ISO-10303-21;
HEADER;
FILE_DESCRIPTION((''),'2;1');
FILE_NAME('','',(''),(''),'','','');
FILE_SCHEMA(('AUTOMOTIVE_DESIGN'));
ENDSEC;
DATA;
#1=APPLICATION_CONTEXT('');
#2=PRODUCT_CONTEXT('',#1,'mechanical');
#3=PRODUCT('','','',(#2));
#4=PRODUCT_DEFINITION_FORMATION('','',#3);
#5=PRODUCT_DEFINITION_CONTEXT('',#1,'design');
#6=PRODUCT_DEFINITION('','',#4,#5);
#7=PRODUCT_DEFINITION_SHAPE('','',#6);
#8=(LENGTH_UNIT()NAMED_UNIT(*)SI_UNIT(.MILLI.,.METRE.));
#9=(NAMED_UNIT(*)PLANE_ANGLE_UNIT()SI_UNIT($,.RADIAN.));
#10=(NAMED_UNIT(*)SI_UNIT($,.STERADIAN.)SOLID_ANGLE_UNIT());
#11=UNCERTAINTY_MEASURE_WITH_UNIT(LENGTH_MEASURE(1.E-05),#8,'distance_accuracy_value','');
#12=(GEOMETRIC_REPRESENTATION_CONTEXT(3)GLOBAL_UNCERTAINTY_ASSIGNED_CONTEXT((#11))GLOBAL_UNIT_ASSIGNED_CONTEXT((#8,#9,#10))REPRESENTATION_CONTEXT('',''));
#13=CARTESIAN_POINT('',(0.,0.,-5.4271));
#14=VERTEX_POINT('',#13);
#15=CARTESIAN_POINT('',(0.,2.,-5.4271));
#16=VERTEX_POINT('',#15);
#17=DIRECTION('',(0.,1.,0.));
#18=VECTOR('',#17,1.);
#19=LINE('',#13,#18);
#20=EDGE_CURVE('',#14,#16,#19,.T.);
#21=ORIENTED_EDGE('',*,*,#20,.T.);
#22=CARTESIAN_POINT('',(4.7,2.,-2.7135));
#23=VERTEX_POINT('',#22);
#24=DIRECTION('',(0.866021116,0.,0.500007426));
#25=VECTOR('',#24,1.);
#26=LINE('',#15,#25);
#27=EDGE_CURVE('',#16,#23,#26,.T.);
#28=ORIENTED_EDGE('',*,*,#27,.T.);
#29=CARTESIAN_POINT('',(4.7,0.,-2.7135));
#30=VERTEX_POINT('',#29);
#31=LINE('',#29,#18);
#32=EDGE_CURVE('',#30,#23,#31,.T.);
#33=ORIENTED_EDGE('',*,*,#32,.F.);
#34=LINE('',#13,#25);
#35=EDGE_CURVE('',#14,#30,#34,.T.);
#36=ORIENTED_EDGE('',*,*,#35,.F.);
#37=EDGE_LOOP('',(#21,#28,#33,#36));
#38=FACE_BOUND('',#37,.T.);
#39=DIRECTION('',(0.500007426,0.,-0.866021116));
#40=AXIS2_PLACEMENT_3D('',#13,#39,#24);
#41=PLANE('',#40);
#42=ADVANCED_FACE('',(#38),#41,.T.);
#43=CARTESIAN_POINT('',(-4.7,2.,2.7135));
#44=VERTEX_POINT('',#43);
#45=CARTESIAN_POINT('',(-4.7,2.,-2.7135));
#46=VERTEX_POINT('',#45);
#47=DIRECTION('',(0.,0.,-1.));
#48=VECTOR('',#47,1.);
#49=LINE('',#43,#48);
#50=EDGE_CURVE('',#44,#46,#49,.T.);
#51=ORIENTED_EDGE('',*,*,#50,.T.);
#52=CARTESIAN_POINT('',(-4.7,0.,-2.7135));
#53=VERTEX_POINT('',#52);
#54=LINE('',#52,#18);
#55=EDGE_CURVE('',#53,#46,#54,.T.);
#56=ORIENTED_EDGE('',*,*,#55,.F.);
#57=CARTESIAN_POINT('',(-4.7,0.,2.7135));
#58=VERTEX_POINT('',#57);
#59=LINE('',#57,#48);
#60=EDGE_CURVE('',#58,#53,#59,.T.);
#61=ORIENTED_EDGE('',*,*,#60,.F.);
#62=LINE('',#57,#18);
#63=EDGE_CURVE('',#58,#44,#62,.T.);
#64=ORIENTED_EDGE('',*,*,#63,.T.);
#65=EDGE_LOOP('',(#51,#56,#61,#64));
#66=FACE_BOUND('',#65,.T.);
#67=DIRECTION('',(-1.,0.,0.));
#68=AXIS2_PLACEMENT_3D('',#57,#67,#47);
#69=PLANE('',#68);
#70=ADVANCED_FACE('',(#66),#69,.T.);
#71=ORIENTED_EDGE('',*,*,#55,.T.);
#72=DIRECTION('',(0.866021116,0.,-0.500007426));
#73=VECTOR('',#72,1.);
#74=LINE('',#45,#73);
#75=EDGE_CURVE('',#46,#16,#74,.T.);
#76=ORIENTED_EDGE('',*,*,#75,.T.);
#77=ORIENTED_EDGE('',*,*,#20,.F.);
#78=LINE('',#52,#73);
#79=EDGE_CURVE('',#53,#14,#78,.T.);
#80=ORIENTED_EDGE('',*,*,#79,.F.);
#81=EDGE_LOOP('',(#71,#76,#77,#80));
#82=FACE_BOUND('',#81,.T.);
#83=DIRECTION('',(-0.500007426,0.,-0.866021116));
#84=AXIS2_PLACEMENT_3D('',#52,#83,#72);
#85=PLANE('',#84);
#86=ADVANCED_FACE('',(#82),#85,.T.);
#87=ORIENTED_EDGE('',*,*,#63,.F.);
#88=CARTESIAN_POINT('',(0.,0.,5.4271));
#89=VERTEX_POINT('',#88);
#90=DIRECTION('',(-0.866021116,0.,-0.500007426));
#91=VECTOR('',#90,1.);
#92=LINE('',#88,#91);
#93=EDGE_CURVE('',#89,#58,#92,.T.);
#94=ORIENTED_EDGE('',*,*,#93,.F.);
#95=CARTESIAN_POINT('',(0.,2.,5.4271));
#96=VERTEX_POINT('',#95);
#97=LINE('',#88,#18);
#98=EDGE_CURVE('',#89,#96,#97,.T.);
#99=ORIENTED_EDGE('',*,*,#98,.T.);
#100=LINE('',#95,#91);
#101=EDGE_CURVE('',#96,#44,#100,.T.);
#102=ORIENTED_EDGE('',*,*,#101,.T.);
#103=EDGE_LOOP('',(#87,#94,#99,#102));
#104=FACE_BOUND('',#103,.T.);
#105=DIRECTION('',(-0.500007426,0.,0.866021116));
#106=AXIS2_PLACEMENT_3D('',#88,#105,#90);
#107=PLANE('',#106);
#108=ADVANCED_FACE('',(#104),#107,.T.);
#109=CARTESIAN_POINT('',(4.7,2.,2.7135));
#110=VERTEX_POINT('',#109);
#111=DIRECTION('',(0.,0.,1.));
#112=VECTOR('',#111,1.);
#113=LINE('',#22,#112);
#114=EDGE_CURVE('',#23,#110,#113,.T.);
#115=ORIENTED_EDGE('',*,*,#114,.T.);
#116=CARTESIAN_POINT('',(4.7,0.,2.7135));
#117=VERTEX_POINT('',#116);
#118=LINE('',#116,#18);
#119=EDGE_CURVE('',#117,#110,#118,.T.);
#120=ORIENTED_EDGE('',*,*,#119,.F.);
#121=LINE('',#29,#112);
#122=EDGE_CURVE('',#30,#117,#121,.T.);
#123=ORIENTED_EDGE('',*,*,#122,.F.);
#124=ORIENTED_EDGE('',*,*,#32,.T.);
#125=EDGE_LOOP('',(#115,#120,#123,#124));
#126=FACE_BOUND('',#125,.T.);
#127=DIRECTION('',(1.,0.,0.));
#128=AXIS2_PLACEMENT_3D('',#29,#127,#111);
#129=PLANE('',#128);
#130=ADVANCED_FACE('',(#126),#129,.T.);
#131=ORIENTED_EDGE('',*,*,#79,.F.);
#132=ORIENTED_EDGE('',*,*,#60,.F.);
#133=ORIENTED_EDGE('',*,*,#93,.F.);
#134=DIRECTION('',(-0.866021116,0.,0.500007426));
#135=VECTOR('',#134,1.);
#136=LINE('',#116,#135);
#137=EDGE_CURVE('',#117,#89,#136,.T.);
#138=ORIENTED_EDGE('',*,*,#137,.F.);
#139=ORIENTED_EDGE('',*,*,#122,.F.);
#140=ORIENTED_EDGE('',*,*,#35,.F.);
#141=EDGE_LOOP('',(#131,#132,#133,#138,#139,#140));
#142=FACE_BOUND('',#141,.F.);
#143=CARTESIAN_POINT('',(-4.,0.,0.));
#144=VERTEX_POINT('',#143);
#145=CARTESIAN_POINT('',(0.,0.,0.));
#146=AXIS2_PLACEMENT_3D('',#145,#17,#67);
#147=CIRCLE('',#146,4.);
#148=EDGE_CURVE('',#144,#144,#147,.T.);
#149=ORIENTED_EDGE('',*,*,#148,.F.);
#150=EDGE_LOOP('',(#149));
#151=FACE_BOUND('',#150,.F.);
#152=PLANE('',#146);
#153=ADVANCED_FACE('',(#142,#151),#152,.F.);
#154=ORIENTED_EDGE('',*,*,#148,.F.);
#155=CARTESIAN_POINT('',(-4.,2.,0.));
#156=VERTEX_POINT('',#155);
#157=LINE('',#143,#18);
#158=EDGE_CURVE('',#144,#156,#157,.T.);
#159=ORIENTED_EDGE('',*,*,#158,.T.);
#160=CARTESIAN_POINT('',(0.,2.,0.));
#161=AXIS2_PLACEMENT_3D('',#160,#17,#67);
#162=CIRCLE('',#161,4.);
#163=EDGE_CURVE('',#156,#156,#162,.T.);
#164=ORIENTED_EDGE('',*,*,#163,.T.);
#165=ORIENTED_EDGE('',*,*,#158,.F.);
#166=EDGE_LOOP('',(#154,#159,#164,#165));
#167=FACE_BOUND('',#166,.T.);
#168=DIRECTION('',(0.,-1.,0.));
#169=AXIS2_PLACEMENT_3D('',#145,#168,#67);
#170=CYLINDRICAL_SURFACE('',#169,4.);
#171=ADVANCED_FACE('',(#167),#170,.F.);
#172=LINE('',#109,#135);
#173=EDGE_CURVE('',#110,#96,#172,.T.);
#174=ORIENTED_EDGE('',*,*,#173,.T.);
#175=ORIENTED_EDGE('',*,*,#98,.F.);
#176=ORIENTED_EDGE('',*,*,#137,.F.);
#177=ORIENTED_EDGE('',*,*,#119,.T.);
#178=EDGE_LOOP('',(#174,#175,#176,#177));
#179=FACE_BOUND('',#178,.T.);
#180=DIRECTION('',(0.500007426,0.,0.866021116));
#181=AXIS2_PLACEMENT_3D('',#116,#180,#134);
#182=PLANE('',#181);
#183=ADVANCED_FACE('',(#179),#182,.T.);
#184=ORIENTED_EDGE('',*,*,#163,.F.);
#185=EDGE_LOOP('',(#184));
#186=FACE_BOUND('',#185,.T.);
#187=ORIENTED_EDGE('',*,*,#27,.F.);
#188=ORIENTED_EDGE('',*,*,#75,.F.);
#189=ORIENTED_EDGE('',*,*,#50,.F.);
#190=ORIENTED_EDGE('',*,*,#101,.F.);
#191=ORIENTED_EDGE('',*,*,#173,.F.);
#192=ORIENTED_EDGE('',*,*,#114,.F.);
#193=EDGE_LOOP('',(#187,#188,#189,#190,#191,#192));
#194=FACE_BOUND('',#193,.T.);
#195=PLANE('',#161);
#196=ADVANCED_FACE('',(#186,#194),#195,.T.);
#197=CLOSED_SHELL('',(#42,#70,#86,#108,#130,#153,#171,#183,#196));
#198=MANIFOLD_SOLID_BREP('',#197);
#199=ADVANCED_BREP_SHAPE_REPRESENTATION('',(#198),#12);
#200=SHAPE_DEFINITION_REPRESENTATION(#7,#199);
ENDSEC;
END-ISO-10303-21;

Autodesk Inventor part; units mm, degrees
ref_plane "YZ Plane" through (0, 0, 0) normal (1, 0, 0) x (0, 1, 0)
ref_plane "XZ Plane" through (0, 0, 0) normal (0, 1, 0) x (-1, 0, 0)
ref_plane "XY Plane" through (0, 0, 0) normal (0, 0, 1) x (1, 0, 0)
sketch "Sketch1" plane through (0, 0, 0) normal (0, 1, 0) x (-1, 0, 0)
  circle A0 centre (0, 0) radius 4
  line L0 (0, -5.4271) -> (-4.7, -2.7135)
  line L1 (-4.7, -2.7135) -> (-4.7, 2.7135)
  line L2 (-4.7, 2.7135) -> (0, 5.4271)
  line L3 (0, 5.4271) -> (4.7, 2.7135)
  line L4 (4.7, 2.7135) -> (4.7, -2.7135)
  line L5 (4.7, -2.7135) -> (0, -5.4271)
  dimension "d0" = 8
  dimension "d1" = 9.4
extrude "Extrusion1" add sketch "Sketch1" along normal blind 2
properties part number "Strom_Mutter"
